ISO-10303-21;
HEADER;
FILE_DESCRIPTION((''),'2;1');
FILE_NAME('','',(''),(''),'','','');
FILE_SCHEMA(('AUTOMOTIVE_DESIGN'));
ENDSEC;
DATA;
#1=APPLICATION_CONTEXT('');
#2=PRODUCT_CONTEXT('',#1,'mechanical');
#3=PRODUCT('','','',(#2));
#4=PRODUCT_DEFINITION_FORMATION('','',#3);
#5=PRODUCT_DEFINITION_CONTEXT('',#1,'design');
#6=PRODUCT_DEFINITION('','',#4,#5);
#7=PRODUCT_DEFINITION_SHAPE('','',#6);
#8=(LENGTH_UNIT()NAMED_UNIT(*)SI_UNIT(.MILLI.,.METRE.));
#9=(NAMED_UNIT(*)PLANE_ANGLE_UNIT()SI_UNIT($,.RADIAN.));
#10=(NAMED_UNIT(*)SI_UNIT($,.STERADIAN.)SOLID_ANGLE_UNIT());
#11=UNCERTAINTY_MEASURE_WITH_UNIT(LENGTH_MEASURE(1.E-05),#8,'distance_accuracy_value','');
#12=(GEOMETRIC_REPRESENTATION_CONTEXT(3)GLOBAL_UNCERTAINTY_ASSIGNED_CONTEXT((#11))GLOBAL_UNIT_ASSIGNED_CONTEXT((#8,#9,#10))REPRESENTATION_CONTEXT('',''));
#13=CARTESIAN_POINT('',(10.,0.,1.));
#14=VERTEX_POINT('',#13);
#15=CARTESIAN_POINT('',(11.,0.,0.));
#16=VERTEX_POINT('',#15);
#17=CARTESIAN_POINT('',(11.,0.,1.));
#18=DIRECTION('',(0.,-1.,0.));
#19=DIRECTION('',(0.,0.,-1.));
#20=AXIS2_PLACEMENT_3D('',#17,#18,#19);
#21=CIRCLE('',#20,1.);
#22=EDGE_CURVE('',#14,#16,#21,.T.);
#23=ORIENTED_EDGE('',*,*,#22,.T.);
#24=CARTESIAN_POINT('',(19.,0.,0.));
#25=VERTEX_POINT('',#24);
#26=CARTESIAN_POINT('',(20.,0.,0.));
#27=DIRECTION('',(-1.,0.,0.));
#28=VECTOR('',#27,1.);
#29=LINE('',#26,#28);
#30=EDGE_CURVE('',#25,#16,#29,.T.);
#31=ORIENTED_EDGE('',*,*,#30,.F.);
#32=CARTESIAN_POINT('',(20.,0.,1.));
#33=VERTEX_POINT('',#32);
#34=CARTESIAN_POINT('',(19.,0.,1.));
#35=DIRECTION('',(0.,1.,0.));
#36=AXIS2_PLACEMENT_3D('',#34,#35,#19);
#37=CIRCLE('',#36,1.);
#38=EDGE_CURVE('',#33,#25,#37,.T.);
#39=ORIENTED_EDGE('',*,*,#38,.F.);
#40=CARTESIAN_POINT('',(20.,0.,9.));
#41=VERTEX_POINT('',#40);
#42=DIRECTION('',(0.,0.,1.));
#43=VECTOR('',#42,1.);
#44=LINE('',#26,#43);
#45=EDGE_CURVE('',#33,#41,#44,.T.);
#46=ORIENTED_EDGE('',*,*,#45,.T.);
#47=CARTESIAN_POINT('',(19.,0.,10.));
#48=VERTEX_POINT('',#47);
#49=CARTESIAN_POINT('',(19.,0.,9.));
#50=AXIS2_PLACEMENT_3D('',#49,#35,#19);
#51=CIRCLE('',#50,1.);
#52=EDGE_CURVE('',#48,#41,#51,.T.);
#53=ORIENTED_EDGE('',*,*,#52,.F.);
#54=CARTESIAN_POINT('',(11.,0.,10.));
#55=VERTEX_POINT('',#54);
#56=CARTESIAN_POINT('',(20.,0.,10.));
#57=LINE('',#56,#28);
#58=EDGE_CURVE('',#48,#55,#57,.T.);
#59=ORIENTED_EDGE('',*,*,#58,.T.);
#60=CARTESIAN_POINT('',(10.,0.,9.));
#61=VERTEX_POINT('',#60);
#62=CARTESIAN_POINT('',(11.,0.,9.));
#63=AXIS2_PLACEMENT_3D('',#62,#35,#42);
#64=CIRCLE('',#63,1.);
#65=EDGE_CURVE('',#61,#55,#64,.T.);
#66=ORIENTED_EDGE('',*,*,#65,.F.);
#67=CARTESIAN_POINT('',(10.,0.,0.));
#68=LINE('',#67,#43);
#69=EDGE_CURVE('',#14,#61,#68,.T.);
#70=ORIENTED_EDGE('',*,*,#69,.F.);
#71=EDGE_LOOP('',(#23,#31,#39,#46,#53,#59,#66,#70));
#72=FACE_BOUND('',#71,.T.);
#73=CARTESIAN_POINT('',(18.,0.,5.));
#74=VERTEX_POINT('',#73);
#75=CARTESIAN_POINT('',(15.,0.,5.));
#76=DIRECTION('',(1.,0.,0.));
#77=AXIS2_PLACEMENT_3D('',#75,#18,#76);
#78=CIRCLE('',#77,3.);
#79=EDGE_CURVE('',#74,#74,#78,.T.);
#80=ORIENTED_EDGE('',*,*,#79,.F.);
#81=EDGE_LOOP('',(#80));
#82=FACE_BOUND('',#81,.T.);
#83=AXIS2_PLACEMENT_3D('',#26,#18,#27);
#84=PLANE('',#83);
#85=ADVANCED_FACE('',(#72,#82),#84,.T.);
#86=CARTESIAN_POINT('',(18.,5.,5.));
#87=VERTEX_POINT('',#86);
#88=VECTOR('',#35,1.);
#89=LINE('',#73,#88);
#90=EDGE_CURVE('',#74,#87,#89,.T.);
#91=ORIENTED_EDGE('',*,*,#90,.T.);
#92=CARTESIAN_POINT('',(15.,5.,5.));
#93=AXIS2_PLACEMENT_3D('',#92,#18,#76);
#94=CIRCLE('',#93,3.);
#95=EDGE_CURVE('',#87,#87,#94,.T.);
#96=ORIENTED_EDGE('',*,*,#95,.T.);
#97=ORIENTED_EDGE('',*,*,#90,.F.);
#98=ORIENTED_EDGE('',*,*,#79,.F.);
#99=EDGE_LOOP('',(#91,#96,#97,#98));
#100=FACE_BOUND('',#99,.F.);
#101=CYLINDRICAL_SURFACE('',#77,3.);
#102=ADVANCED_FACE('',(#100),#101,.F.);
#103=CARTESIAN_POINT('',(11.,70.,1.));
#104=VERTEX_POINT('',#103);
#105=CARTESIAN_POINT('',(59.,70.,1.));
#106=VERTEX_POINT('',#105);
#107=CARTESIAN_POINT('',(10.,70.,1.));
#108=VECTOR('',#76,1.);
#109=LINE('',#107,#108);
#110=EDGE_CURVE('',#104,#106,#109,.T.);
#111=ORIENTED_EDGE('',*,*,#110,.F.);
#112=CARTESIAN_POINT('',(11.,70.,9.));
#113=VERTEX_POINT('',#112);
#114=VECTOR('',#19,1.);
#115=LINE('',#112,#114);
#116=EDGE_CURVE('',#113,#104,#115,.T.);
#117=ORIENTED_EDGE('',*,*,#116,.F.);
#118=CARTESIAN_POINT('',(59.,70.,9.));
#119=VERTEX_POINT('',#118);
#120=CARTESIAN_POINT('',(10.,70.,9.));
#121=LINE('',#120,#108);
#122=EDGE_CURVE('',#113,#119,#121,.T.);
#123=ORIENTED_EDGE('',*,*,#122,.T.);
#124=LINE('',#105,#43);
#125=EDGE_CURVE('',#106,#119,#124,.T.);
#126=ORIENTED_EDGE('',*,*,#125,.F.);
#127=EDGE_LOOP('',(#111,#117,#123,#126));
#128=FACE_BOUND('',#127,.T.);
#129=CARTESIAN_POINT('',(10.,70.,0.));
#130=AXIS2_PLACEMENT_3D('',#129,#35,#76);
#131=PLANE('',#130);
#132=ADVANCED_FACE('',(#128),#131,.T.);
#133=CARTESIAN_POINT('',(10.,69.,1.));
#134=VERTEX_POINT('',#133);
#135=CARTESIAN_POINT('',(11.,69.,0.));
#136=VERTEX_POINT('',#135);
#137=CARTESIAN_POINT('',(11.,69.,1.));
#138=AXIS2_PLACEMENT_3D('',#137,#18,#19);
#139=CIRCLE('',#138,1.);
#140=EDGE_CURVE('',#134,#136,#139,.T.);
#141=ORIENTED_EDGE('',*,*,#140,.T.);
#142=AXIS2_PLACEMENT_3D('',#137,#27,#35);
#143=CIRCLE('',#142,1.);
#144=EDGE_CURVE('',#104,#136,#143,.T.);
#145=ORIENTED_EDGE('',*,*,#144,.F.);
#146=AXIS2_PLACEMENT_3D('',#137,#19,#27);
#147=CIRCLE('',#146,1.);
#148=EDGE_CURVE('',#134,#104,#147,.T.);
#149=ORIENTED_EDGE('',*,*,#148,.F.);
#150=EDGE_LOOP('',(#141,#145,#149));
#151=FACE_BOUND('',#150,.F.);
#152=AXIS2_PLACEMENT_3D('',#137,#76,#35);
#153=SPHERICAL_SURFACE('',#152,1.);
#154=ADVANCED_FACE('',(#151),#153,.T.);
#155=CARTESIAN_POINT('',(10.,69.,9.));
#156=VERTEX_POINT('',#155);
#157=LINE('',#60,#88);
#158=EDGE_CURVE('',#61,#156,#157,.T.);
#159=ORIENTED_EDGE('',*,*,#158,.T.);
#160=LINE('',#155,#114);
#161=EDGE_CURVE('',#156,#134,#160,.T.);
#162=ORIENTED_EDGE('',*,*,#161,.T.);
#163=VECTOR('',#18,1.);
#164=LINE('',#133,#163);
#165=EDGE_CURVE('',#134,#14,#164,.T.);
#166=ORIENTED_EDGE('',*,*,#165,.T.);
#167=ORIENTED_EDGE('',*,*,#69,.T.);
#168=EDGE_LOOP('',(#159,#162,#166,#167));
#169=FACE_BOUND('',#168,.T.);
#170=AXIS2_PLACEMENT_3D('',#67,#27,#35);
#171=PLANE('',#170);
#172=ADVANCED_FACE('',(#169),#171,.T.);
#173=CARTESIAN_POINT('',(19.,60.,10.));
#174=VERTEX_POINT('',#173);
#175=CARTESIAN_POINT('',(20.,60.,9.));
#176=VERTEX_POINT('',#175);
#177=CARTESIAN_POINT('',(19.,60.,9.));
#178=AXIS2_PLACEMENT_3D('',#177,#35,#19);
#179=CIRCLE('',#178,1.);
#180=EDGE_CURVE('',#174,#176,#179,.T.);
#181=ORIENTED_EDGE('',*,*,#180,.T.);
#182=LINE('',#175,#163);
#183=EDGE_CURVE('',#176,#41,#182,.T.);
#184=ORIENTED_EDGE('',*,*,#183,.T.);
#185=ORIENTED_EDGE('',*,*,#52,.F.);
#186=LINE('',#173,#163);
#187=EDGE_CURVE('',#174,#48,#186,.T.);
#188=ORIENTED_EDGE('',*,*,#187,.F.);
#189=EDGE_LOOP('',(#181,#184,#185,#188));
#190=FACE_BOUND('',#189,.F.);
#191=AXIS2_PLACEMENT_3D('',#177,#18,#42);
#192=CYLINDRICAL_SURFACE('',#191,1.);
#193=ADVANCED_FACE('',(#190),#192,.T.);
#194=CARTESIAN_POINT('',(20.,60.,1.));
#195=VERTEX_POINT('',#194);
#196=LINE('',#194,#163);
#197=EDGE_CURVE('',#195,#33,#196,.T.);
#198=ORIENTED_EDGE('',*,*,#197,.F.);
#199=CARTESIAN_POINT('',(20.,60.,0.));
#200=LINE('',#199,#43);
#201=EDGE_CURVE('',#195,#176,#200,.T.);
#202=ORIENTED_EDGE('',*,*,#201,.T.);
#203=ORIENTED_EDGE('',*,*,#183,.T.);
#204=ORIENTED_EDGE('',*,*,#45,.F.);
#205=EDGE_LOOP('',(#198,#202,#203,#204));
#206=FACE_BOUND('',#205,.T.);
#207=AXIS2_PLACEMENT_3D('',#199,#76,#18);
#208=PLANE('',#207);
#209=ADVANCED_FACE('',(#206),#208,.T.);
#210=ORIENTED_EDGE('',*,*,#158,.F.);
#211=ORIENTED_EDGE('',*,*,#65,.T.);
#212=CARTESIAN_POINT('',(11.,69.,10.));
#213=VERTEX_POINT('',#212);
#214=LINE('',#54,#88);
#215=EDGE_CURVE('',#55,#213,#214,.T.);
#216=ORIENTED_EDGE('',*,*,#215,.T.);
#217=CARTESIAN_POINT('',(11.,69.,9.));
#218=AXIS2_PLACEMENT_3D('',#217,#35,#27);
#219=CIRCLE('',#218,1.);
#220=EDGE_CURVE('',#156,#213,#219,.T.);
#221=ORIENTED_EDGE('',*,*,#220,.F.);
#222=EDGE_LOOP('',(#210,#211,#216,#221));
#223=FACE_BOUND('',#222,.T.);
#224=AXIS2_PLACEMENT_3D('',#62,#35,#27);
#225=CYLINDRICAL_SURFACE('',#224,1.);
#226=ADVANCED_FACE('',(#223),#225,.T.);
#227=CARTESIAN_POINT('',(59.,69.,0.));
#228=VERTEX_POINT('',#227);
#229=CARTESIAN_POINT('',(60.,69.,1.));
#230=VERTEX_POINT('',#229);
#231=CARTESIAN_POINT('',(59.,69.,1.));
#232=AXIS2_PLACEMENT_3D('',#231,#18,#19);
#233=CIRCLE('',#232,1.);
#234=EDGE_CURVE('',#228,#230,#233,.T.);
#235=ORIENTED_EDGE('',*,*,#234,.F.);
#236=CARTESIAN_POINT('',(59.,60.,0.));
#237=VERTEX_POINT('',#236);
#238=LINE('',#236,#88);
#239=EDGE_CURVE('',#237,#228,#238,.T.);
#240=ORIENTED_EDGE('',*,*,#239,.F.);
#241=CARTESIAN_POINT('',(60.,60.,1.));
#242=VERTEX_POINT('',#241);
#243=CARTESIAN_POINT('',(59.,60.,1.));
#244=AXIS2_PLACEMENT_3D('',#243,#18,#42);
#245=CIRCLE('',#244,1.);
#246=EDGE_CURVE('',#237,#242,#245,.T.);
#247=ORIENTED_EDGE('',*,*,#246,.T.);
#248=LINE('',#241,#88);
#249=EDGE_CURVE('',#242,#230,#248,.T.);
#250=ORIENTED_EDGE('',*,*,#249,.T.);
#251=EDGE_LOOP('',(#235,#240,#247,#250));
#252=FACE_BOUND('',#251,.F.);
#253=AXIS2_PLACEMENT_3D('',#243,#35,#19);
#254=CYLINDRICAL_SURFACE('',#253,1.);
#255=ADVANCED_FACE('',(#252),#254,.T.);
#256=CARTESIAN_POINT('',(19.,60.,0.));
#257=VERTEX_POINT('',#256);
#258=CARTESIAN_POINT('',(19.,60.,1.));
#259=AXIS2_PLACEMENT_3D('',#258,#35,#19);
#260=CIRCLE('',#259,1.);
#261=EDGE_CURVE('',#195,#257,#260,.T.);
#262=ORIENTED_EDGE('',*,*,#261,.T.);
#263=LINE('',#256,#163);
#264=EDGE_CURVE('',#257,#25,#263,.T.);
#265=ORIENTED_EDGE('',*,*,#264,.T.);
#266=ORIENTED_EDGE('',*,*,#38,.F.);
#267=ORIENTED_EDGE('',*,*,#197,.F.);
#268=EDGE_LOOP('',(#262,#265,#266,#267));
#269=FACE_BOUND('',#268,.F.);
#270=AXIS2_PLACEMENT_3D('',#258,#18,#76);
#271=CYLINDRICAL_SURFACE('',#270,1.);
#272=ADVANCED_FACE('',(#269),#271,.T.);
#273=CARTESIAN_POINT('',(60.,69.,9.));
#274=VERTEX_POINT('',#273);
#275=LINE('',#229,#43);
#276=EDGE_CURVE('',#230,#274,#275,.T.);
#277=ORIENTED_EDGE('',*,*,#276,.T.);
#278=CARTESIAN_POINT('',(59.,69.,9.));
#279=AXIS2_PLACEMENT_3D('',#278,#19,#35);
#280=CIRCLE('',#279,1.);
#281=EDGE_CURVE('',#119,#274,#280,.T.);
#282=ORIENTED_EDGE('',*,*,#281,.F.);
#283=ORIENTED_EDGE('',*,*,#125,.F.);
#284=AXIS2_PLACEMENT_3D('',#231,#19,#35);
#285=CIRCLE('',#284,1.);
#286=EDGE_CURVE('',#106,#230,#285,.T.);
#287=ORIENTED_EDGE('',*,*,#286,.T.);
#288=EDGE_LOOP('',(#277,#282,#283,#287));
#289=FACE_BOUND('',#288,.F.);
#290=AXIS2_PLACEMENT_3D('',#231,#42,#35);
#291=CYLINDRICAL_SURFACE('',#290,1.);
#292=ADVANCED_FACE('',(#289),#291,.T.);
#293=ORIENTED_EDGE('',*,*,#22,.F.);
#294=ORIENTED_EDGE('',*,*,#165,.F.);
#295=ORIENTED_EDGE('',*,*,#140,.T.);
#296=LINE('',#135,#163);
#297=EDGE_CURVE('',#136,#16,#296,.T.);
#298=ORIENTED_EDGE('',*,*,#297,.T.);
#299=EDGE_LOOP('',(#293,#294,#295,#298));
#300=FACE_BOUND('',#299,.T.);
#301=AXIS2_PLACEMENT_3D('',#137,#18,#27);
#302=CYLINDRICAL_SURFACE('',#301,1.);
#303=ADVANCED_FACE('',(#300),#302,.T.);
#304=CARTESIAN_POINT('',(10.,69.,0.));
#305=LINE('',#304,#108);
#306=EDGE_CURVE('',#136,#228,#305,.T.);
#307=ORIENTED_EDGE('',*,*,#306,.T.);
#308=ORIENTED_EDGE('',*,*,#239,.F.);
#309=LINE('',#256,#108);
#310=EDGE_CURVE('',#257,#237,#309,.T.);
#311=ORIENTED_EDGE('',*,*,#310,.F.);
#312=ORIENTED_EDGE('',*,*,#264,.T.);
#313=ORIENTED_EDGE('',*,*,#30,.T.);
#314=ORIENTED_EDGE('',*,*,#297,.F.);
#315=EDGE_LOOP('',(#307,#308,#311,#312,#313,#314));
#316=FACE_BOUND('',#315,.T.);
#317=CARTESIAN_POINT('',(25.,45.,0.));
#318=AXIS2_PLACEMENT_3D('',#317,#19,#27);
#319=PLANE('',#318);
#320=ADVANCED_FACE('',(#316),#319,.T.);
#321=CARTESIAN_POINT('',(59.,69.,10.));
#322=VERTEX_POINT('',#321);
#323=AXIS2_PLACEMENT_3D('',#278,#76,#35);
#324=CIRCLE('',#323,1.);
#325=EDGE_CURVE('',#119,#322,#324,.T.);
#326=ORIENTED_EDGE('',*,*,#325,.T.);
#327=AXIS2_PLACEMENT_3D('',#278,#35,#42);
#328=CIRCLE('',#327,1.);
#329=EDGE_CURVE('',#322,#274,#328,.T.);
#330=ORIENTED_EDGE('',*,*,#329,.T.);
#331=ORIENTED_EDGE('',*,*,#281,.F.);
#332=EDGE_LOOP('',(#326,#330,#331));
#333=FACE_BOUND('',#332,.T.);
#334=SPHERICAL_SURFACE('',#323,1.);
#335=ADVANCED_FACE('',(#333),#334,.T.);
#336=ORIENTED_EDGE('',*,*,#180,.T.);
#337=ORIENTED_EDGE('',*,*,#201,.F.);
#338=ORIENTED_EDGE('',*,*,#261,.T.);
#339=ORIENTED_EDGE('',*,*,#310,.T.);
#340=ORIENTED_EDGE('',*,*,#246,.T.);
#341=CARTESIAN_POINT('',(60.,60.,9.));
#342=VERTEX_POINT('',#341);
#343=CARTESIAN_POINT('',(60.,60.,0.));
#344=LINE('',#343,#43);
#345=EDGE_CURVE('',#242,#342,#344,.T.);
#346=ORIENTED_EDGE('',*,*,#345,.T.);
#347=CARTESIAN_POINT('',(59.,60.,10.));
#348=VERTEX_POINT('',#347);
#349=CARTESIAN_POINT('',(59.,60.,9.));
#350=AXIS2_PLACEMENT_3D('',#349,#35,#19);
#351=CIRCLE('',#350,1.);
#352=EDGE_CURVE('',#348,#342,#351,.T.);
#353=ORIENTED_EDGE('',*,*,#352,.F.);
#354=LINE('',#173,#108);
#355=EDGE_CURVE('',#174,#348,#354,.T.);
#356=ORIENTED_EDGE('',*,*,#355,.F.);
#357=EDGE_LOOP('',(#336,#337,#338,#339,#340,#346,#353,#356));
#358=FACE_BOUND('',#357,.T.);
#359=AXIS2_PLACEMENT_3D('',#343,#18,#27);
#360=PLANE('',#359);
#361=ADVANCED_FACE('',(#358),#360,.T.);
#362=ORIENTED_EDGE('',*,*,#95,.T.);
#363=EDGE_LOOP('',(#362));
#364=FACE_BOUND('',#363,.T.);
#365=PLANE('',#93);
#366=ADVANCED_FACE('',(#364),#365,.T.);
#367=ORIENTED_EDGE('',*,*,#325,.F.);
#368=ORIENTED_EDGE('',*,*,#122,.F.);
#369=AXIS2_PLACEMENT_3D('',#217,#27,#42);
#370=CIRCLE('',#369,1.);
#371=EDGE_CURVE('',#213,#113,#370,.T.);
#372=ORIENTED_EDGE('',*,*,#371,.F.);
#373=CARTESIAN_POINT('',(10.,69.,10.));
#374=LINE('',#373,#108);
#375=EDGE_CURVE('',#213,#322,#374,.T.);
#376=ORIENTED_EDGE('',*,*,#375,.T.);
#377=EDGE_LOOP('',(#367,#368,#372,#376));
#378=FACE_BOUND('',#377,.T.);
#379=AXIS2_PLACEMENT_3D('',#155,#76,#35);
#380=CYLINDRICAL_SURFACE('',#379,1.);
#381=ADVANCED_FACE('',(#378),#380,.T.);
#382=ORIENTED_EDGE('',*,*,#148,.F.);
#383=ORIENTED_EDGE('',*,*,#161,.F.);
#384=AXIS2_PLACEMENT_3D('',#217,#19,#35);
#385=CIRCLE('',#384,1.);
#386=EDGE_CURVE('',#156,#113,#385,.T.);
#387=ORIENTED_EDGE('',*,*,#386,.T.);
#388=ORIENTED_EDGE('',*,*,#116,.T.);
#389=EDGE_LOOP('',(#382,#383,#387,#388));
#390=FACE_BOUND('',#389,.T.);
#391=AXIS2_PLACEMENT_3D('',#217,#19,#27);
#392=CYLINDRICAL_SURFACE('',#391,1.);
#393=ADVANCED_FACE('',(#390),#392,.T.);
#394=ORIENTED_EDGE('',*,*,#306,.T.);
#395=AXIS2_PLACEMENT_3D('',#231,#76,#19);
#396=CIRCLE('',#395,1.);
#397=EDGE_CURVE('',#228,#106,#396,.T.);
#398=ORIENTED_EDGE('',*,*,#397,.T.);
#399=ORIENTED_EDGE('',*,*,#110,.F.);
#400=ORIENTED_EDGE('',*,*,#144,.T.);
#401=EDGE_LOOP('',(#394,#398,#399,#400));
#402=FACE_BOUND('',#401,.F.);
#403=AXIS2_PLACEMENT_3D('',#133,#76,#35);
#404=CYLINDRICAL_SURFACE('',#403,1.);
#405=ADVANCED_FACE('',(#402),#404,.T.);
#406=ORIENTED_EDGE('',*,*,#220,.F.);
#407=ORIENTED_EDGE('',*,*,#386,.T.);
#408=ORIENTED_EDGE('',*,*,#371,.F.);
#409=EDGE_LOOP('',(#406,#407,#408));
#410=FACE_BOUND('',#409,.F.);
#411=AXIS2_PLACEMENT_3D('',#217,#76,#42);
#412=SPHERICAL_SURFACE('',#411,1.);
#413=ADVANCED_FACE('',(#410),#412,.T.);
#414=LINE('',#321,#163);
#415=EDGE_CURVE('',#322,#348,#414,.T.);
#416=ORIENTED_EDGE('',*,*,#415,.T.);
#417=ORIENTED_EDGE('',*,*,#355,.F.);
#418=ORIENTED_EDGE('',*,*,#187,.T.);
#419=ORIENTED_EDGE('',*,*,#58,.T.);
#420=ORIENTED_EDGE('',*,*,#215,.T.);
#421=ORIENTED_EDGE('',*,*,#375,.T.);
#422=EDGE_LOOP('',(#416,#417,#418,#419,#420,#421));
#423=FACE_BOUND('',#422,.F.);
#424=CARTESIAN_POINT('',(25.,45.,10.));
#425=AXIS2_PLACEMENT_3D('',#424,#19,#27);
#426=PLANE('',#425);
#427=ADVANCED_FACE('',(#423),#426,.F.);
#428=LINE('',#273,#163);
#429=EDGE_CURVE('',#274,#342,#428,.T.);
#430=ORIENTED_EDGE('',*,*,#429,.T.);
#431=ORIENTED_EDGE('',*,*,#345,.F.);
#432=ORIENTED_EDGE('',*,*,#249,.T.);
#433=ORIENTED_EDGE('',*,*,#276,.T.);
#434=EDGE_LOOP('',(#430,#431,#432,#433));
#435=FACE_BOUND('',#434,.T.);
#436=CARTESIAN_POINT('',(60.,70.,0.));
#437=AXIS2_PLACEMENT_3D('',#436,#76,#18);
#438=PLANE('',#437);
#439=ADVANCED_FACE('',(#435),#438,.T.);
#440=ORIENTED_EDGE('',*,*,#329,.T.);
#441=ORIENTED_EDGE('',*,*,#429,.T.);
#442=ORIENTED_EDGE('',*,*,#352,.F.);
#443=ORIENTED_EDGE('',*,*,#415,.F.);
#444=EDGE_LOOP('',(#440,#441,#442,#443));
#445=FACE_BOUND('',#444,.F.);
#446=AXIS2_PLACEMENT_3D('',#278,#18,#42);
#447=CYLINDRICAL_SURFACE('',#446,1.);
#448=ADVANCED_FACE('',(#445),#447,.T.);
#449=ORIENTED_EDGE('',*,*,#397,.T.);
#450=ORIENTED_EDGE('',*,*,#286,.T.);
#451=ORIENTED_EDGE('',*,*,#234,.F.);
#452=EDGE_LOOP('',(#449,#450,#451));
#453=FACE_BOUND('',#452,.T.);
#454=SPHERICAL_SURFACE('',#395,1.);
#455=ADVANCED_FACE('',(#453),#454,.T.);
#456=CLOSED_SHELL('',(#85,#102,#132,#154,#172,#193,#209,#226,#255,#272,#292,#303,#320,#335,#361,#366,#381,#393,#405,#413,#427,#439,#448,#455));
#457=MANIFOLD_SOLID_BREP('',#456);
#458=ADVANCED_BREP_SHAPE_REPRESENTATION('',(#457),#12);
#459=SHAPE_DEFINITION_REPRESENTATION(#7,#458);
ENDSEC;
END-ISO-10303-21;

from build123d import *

# Parameters (mm, degrees)
PAD_DEPTH    = 10
FILLET_R     = 1
FILLET001_R  = 1
FILLET002_R  = 1
FILLET003_R  = 1
FILLET004_R  = 1
FILLET005_R  = 1
SKETCH001_R  = 3
POCKET_DEPTH = 5


with BuildPart() as part:
    # Sketch → Pad (new body)
    with BuildSketch(Plane.XY):
        Polygon((10, 0), (10, 70), (60, 70), (60, 60), (20, 60), (20, 0), align=None)
    extrude(amount=PAD_DEPTH)

    # Fillet
    fillet_edges = [part.edges().sort_by_distance(p)[0] for p in [
        (35, 70, 10),
    ]]
    fillet(fillet_edges, radius=FILLET_R)

    # Fillet001
    fillet001_edges = [part.edges().sort_by_distance(p)[0] for p in [
        (35, 70, 0),
    ]]
    fillet(fillet001_edges, radius=FILLET001_R)

    # Fillet002
    fillet002_edges = [part.edges().sort_by_distance(p)[0] for p in [
        (60, 70, 5),
    ]]
    fillet(fillet002_edges, radius=FILLET002_R)

    # Fillet003
    fillet003_edges = [part.edges().sort_by_distance(p)[0] for p in [
        (20, 30, 10),
    ]]
    fillet(fillet003_edges, radius=FILLET003_R)

    # Fillet004
    fillet004_edges = [part.edges().sort_by_distance(p)[0] for p in [
        (20, 30, 0),
    ]]
    fillet(fillet004_edges, radius=FILLET004_R)

    # Fillet005
    fillet005_edges = [part.edges().sort_by_distance(p)[0] for p in [
        (10, 34.5, 10),
    ]]
    fillet(fillet005_edges, radius=FILLET005_R)

    # Sketch001 (on Face1 of Fillet005) → Pocket (cut)
    with BuildSketch(Plane.XZ):
        with Locations((15, 5)):
            Circle(SKETCH001_R)
    extrude(amount=-POCKET_DEPTH, mode=Mode.SUBTRACT)


solid = part.part
